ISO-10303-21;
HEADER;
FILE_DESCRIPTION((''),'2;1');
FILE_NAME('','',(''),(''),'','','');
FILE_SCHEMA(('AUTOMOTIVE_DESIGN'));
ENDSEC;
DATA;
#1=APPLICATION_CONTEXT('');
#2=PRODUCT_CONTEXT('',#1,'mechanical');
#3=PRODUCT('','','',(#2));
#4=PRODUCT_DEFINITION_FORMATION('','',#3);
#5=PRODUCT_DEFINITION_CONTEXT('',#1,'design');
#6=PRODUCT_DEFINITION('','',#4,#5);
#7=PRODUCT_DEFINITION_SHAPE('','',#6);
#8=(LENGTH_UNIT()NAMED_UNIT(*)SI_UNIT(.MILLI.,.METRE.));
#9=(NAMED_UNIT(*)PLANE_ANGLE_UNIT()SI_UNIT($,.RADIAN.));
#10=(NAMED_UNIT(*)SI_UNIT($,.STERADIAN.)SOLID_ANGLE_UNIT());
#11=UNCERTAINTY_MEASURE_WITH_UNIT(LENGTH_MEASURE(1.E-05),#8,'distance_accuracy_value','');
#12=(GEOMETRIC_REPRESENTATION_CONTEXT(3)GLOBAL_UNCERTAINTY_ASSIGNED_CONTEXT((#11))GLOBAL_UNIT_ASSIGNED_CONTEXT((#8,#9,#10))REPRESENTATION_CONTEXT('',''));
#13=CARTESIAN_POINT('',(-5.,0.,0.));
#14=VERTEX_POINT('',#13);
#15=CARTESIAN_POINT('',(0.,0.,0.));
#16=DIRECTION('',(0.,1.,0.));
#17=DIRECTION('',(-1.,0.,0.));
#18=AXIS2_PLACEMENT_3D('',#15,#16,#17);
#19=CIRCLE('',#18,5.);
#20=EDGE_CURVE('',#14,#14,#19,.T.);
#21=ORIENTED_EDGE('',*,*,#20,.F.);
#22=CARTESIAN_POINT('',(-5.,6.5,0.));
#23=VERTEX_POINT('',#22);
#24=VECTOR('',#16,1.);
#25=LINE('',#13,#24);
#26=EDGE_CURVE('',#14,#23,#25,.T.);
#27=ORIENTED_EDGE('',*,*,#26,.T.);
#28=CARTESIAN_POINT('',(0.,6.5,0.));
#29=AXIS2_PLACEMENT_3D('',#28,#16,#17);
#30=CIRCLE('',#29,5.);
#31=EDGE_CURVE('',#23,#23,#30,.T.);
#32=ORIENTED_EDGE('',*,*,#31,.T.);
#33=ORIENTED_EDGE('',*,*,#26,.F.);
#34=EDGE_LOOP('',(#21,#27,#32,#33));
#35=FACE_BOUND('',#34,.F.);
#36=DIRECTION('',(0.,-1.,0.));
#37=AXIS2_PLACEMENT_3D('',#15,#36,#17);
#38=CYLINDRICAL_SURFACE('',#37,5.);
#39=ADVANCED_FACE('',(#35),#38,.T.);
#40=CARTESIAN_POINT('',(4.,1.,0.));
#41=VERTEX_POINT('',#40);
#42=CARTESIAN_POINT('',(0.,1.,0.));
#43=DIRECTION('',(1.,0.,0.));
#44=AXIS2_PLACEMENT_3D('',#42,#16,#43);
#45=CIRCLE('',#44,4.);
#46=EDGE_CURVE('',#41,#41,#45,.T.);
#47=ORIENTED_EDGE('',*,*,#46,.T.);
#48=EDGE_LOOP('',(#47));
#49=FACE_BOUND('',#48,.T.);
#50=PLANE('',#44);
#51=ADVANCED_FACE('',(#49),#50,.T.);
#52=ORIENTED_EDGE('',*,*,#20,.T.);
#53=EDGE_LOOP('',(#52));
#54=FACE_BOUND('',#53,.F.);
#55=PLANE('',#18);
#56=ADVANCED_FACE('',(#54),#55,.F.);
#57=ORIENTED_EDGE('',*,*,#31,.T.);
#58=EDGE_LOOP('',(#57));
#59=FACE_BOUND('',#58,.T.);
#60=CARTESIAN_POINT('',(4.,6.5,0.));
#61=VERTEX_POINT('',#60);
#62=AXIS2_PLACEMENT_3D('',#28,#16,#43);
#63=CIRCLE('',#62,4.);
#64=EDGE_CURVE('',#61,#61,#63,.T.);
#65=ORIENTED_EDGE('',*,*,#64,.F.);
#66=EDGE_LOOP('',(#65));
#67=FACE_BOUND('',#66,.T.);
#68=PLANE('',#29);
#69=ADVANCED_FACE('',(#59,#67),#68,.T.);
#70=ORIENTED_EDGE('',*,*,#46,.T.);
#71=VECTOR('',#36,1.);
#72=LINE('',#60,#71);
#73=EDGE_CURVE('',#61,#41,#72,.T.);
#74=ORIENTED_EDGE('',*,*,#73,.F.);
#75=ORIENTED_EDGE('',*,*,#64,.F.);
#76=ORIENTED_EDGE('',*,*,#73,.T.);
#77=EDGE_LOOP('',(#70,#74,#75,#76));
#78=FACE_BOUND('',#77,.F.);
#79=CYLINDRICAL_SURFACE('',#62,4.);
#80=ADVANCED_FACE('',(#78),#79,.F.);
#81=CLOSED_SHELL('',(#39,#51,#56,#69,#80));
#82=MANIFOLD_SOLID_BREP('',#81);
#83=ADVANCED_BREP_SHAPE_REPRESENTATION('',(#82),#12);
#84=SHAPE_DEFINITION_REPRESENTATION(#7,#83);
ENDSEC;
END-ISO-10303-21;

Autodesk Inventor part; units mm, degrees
ref_plane "YZ Plane" through (0, 0, 0) normal (1, 0, 0) x (0, 1, 0)
ref_plane "XZ Plane" through (0, 0, 0) normal (0, 1, 0) x (-1, 0, 0)
ref_plane "XY Plane" through (0, 0, 0) normal (0, 0, 1) x (1, 0, 0)
sketch "草圖1" plane through (0, 0, 0) normal (0, 1, 0) x (-1, 0, 0)
  circle A0 centre (0, 0) radius 5
  dimension "d0" = 10
extrude "擠出1" add sketch "草圖1" along normal blind 6.5
sketch "草圖2" plane through (0, 6.5, 0) normal (0, 1, 0) x (1, 0, 0)
  circle A0 centre (0, 0) radius 4
  dimension "d4" = 8
extrude "擠出2" cut sketch "草圖2" against normal blind 5.5
properties part number "電瓶水蓋"
